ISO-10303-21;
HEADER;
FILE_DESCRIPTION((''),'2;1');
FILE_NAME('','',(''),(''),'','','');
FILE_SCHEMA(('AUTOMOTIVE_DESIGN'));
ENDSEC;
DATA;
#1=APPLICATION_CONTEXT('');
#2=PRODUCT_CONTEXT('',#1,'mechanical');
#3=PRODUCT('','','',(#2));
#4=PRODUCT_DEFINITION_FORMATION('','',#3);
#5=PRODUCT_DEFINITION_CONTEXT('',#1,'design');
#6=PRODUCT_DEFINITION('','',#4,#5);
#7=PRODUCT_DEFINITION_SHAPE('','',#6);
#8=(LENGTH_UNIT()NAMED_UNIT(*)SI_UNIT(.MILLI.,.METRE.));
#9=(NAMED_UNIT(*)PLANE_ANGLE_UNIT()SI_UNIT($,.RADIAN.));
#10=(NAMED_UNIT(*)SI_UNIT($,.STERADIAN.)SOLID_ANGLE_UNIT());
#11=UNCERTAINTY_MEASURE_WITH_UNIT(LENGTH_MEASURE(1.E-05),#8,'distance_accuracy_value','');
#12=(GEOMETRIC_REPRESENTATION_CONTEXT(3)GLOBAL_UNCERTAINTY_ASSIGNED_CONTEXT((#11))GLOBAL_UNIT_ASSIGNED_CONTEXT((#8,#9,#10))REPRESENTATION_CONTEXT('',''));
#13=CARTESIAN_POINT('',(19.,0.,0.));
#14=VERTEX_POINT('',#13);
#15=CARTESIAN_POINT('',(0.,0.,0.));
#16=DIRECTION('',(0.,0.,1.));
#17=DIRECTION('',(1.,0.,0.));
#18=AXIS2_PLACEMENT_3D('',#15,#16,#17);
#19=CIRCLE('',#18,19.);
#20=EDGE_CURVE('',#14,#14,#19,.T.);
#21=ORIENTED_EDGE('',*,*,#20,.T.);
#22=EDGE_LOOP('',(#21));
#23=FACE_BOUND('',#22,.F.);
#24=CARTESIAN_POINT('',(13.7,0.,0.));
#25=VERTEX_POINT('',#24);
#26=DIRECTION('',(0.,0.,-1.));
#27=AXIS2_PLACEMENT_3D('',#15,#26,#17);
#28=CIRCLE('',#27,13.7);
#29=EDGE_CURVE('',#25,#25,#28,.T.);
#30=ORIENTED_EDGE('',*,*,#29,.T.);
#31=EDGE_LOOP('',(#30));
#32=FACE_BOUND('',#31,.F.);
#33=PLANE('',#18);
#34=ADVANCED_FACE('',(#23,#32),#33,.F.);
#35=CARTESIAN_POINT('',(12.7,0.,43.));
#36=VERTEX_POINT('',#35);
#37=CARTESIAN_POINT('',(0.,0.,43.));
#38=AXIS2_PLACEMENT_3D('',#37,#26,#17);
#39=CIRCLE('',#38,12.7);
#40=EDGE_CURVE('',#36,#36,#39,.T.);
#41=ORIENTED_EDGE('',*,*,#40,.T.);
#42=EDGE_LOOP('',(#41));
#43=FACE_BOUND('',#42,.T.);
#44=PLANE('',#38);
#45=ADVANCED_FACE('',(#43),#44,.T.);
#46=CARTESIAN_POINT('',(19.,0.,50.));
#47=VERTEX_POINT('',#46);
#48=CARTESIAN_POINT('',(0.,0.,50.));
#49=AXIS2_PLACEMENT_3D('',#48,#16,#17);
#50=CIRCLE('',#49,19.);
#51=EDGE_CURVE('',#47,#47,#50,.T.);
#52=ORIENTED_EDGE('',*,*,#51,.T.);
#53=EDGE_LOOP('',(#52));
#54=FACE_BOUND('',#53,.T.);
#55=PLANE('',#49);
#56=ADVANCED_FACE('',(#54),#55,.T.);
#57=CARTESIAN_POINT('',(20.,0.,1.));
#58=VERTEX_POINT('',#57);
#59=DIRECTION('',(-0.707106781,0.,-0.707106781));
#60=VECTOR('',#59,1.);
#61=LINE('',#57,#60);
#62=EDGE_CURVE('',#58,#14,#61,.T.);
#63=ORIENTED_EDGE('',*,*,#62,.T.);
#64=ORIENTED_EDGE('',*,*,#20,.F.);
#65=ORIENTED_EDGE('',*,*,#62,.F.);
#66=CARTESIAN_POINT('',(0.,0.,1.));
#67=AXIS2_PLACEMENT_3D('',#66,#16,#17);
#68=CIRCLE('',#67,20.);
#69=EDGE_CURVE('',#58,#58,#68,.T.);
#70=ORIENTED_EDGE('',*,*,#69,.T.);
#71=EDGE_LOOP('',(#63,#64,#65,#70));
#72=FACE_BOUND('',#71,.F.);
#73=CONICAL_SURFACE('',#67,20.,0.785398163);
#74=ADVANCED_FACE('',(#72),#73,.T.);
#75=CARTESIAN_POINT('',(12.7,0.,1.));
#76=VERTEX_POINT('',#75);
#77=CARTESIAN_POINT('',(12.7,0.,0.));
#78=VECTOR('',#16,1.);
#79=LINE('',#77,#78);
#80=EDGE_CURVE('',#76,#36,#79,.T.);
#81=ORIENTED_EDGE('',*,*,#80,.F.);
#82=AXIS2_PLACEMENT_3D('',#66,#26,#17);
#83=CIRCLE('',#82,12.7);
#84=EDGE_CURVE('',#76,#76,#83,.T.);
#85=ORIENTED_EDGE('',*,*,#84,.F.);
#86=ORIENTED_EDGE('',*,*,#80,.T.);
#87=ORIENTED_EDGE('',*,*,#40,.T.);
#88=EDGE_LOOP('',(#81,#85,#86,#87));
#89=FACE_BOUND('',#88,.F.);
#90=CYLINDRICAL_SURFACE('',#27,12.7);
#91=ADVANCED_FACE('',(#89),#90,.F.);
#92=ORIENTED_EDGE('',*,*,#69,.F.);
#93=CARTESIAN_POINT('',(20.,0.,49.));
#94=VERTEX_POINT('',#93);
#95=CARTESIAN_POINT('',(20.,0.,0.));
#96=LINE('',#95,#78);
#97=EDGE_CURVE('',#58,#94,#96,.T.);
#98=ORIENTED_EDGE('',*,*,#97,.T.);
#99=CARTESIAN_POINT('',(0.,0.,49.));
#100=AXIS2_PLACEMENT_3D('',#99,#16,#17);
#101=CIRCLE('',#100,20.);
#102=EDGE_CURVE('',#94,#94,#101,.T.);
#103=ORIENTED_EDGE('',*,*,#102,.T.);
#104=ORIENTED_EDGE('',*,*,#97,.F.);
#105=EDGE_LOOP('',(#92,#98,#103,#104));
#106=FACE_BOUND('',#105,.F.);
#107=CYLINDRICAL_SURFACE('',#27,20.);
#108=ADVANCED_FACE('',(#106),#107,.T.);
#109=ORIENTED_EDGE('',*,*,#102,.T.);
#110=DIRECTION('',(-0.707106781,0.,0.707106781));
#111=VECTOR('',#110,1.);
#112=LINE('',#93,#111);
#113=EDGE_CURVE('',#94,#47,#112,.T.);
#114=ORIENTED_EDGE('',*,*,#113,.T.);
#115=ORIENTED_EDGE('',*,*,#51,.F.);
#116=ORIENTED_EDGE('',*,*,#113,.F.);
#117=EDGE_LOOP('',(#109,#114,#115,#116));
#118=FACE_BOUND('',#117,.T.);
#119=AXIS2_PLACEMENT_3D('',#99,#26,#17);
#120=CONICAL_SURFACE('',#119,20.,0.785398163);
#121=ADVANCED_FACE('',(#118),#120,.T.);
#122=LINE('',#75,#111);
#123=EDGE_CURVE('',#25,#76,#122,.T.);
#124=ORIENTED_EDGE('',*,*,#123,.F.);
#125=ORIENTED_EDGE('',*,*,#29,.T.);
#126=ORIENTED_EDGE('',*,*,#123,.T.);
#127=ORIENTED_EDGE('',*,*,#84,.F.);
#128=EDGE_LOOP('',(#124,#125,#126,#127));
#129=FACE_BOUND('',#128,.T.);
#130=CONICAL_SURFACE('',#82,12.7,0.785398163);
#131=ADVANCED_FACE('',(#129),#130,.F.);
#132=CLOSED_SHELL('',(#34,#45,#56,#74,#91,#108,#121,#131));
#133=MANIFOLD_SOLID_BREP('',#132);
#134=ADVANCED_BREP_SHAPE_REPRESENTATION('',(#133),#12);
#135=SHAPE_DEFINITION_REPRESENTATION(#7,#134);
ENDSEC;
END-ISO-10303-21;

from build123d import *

# Parameters (mm, degrees)
F0_R     = 20
F1_DEPTH = 50
F2_R     = 12.7
F3_DEPTH = 43
F4_SIZE  = 1


with BuildPart() as f1:
    # F0 (on Top) → F1 (new body)
    with BuildSketch(Plane.XY):
        Circle(F0_R)
    extrude(amount=F1_DEPTH)

    # F2 (on face) → F3 (cut)
    with BuildSketch(Plane(origin=(0, 0, 0), x_dir=(1, 0, 0), z_dir=(0, 0, -1))):
        Circle(F2_R)
    extrude(amount=-F3_DEPTH, mode=Mode.SUBTRACT)

    # F4
    f4_edges = [f1.edges().sort_by_distance(p)[0] for p in [
        (-12.7, 0, 0),
        (-20, 0, 0),
        (-20, 0, 50),
    ]]
    chamfer(f4_edges, length=F4_SIZE)


solid = f1.part
